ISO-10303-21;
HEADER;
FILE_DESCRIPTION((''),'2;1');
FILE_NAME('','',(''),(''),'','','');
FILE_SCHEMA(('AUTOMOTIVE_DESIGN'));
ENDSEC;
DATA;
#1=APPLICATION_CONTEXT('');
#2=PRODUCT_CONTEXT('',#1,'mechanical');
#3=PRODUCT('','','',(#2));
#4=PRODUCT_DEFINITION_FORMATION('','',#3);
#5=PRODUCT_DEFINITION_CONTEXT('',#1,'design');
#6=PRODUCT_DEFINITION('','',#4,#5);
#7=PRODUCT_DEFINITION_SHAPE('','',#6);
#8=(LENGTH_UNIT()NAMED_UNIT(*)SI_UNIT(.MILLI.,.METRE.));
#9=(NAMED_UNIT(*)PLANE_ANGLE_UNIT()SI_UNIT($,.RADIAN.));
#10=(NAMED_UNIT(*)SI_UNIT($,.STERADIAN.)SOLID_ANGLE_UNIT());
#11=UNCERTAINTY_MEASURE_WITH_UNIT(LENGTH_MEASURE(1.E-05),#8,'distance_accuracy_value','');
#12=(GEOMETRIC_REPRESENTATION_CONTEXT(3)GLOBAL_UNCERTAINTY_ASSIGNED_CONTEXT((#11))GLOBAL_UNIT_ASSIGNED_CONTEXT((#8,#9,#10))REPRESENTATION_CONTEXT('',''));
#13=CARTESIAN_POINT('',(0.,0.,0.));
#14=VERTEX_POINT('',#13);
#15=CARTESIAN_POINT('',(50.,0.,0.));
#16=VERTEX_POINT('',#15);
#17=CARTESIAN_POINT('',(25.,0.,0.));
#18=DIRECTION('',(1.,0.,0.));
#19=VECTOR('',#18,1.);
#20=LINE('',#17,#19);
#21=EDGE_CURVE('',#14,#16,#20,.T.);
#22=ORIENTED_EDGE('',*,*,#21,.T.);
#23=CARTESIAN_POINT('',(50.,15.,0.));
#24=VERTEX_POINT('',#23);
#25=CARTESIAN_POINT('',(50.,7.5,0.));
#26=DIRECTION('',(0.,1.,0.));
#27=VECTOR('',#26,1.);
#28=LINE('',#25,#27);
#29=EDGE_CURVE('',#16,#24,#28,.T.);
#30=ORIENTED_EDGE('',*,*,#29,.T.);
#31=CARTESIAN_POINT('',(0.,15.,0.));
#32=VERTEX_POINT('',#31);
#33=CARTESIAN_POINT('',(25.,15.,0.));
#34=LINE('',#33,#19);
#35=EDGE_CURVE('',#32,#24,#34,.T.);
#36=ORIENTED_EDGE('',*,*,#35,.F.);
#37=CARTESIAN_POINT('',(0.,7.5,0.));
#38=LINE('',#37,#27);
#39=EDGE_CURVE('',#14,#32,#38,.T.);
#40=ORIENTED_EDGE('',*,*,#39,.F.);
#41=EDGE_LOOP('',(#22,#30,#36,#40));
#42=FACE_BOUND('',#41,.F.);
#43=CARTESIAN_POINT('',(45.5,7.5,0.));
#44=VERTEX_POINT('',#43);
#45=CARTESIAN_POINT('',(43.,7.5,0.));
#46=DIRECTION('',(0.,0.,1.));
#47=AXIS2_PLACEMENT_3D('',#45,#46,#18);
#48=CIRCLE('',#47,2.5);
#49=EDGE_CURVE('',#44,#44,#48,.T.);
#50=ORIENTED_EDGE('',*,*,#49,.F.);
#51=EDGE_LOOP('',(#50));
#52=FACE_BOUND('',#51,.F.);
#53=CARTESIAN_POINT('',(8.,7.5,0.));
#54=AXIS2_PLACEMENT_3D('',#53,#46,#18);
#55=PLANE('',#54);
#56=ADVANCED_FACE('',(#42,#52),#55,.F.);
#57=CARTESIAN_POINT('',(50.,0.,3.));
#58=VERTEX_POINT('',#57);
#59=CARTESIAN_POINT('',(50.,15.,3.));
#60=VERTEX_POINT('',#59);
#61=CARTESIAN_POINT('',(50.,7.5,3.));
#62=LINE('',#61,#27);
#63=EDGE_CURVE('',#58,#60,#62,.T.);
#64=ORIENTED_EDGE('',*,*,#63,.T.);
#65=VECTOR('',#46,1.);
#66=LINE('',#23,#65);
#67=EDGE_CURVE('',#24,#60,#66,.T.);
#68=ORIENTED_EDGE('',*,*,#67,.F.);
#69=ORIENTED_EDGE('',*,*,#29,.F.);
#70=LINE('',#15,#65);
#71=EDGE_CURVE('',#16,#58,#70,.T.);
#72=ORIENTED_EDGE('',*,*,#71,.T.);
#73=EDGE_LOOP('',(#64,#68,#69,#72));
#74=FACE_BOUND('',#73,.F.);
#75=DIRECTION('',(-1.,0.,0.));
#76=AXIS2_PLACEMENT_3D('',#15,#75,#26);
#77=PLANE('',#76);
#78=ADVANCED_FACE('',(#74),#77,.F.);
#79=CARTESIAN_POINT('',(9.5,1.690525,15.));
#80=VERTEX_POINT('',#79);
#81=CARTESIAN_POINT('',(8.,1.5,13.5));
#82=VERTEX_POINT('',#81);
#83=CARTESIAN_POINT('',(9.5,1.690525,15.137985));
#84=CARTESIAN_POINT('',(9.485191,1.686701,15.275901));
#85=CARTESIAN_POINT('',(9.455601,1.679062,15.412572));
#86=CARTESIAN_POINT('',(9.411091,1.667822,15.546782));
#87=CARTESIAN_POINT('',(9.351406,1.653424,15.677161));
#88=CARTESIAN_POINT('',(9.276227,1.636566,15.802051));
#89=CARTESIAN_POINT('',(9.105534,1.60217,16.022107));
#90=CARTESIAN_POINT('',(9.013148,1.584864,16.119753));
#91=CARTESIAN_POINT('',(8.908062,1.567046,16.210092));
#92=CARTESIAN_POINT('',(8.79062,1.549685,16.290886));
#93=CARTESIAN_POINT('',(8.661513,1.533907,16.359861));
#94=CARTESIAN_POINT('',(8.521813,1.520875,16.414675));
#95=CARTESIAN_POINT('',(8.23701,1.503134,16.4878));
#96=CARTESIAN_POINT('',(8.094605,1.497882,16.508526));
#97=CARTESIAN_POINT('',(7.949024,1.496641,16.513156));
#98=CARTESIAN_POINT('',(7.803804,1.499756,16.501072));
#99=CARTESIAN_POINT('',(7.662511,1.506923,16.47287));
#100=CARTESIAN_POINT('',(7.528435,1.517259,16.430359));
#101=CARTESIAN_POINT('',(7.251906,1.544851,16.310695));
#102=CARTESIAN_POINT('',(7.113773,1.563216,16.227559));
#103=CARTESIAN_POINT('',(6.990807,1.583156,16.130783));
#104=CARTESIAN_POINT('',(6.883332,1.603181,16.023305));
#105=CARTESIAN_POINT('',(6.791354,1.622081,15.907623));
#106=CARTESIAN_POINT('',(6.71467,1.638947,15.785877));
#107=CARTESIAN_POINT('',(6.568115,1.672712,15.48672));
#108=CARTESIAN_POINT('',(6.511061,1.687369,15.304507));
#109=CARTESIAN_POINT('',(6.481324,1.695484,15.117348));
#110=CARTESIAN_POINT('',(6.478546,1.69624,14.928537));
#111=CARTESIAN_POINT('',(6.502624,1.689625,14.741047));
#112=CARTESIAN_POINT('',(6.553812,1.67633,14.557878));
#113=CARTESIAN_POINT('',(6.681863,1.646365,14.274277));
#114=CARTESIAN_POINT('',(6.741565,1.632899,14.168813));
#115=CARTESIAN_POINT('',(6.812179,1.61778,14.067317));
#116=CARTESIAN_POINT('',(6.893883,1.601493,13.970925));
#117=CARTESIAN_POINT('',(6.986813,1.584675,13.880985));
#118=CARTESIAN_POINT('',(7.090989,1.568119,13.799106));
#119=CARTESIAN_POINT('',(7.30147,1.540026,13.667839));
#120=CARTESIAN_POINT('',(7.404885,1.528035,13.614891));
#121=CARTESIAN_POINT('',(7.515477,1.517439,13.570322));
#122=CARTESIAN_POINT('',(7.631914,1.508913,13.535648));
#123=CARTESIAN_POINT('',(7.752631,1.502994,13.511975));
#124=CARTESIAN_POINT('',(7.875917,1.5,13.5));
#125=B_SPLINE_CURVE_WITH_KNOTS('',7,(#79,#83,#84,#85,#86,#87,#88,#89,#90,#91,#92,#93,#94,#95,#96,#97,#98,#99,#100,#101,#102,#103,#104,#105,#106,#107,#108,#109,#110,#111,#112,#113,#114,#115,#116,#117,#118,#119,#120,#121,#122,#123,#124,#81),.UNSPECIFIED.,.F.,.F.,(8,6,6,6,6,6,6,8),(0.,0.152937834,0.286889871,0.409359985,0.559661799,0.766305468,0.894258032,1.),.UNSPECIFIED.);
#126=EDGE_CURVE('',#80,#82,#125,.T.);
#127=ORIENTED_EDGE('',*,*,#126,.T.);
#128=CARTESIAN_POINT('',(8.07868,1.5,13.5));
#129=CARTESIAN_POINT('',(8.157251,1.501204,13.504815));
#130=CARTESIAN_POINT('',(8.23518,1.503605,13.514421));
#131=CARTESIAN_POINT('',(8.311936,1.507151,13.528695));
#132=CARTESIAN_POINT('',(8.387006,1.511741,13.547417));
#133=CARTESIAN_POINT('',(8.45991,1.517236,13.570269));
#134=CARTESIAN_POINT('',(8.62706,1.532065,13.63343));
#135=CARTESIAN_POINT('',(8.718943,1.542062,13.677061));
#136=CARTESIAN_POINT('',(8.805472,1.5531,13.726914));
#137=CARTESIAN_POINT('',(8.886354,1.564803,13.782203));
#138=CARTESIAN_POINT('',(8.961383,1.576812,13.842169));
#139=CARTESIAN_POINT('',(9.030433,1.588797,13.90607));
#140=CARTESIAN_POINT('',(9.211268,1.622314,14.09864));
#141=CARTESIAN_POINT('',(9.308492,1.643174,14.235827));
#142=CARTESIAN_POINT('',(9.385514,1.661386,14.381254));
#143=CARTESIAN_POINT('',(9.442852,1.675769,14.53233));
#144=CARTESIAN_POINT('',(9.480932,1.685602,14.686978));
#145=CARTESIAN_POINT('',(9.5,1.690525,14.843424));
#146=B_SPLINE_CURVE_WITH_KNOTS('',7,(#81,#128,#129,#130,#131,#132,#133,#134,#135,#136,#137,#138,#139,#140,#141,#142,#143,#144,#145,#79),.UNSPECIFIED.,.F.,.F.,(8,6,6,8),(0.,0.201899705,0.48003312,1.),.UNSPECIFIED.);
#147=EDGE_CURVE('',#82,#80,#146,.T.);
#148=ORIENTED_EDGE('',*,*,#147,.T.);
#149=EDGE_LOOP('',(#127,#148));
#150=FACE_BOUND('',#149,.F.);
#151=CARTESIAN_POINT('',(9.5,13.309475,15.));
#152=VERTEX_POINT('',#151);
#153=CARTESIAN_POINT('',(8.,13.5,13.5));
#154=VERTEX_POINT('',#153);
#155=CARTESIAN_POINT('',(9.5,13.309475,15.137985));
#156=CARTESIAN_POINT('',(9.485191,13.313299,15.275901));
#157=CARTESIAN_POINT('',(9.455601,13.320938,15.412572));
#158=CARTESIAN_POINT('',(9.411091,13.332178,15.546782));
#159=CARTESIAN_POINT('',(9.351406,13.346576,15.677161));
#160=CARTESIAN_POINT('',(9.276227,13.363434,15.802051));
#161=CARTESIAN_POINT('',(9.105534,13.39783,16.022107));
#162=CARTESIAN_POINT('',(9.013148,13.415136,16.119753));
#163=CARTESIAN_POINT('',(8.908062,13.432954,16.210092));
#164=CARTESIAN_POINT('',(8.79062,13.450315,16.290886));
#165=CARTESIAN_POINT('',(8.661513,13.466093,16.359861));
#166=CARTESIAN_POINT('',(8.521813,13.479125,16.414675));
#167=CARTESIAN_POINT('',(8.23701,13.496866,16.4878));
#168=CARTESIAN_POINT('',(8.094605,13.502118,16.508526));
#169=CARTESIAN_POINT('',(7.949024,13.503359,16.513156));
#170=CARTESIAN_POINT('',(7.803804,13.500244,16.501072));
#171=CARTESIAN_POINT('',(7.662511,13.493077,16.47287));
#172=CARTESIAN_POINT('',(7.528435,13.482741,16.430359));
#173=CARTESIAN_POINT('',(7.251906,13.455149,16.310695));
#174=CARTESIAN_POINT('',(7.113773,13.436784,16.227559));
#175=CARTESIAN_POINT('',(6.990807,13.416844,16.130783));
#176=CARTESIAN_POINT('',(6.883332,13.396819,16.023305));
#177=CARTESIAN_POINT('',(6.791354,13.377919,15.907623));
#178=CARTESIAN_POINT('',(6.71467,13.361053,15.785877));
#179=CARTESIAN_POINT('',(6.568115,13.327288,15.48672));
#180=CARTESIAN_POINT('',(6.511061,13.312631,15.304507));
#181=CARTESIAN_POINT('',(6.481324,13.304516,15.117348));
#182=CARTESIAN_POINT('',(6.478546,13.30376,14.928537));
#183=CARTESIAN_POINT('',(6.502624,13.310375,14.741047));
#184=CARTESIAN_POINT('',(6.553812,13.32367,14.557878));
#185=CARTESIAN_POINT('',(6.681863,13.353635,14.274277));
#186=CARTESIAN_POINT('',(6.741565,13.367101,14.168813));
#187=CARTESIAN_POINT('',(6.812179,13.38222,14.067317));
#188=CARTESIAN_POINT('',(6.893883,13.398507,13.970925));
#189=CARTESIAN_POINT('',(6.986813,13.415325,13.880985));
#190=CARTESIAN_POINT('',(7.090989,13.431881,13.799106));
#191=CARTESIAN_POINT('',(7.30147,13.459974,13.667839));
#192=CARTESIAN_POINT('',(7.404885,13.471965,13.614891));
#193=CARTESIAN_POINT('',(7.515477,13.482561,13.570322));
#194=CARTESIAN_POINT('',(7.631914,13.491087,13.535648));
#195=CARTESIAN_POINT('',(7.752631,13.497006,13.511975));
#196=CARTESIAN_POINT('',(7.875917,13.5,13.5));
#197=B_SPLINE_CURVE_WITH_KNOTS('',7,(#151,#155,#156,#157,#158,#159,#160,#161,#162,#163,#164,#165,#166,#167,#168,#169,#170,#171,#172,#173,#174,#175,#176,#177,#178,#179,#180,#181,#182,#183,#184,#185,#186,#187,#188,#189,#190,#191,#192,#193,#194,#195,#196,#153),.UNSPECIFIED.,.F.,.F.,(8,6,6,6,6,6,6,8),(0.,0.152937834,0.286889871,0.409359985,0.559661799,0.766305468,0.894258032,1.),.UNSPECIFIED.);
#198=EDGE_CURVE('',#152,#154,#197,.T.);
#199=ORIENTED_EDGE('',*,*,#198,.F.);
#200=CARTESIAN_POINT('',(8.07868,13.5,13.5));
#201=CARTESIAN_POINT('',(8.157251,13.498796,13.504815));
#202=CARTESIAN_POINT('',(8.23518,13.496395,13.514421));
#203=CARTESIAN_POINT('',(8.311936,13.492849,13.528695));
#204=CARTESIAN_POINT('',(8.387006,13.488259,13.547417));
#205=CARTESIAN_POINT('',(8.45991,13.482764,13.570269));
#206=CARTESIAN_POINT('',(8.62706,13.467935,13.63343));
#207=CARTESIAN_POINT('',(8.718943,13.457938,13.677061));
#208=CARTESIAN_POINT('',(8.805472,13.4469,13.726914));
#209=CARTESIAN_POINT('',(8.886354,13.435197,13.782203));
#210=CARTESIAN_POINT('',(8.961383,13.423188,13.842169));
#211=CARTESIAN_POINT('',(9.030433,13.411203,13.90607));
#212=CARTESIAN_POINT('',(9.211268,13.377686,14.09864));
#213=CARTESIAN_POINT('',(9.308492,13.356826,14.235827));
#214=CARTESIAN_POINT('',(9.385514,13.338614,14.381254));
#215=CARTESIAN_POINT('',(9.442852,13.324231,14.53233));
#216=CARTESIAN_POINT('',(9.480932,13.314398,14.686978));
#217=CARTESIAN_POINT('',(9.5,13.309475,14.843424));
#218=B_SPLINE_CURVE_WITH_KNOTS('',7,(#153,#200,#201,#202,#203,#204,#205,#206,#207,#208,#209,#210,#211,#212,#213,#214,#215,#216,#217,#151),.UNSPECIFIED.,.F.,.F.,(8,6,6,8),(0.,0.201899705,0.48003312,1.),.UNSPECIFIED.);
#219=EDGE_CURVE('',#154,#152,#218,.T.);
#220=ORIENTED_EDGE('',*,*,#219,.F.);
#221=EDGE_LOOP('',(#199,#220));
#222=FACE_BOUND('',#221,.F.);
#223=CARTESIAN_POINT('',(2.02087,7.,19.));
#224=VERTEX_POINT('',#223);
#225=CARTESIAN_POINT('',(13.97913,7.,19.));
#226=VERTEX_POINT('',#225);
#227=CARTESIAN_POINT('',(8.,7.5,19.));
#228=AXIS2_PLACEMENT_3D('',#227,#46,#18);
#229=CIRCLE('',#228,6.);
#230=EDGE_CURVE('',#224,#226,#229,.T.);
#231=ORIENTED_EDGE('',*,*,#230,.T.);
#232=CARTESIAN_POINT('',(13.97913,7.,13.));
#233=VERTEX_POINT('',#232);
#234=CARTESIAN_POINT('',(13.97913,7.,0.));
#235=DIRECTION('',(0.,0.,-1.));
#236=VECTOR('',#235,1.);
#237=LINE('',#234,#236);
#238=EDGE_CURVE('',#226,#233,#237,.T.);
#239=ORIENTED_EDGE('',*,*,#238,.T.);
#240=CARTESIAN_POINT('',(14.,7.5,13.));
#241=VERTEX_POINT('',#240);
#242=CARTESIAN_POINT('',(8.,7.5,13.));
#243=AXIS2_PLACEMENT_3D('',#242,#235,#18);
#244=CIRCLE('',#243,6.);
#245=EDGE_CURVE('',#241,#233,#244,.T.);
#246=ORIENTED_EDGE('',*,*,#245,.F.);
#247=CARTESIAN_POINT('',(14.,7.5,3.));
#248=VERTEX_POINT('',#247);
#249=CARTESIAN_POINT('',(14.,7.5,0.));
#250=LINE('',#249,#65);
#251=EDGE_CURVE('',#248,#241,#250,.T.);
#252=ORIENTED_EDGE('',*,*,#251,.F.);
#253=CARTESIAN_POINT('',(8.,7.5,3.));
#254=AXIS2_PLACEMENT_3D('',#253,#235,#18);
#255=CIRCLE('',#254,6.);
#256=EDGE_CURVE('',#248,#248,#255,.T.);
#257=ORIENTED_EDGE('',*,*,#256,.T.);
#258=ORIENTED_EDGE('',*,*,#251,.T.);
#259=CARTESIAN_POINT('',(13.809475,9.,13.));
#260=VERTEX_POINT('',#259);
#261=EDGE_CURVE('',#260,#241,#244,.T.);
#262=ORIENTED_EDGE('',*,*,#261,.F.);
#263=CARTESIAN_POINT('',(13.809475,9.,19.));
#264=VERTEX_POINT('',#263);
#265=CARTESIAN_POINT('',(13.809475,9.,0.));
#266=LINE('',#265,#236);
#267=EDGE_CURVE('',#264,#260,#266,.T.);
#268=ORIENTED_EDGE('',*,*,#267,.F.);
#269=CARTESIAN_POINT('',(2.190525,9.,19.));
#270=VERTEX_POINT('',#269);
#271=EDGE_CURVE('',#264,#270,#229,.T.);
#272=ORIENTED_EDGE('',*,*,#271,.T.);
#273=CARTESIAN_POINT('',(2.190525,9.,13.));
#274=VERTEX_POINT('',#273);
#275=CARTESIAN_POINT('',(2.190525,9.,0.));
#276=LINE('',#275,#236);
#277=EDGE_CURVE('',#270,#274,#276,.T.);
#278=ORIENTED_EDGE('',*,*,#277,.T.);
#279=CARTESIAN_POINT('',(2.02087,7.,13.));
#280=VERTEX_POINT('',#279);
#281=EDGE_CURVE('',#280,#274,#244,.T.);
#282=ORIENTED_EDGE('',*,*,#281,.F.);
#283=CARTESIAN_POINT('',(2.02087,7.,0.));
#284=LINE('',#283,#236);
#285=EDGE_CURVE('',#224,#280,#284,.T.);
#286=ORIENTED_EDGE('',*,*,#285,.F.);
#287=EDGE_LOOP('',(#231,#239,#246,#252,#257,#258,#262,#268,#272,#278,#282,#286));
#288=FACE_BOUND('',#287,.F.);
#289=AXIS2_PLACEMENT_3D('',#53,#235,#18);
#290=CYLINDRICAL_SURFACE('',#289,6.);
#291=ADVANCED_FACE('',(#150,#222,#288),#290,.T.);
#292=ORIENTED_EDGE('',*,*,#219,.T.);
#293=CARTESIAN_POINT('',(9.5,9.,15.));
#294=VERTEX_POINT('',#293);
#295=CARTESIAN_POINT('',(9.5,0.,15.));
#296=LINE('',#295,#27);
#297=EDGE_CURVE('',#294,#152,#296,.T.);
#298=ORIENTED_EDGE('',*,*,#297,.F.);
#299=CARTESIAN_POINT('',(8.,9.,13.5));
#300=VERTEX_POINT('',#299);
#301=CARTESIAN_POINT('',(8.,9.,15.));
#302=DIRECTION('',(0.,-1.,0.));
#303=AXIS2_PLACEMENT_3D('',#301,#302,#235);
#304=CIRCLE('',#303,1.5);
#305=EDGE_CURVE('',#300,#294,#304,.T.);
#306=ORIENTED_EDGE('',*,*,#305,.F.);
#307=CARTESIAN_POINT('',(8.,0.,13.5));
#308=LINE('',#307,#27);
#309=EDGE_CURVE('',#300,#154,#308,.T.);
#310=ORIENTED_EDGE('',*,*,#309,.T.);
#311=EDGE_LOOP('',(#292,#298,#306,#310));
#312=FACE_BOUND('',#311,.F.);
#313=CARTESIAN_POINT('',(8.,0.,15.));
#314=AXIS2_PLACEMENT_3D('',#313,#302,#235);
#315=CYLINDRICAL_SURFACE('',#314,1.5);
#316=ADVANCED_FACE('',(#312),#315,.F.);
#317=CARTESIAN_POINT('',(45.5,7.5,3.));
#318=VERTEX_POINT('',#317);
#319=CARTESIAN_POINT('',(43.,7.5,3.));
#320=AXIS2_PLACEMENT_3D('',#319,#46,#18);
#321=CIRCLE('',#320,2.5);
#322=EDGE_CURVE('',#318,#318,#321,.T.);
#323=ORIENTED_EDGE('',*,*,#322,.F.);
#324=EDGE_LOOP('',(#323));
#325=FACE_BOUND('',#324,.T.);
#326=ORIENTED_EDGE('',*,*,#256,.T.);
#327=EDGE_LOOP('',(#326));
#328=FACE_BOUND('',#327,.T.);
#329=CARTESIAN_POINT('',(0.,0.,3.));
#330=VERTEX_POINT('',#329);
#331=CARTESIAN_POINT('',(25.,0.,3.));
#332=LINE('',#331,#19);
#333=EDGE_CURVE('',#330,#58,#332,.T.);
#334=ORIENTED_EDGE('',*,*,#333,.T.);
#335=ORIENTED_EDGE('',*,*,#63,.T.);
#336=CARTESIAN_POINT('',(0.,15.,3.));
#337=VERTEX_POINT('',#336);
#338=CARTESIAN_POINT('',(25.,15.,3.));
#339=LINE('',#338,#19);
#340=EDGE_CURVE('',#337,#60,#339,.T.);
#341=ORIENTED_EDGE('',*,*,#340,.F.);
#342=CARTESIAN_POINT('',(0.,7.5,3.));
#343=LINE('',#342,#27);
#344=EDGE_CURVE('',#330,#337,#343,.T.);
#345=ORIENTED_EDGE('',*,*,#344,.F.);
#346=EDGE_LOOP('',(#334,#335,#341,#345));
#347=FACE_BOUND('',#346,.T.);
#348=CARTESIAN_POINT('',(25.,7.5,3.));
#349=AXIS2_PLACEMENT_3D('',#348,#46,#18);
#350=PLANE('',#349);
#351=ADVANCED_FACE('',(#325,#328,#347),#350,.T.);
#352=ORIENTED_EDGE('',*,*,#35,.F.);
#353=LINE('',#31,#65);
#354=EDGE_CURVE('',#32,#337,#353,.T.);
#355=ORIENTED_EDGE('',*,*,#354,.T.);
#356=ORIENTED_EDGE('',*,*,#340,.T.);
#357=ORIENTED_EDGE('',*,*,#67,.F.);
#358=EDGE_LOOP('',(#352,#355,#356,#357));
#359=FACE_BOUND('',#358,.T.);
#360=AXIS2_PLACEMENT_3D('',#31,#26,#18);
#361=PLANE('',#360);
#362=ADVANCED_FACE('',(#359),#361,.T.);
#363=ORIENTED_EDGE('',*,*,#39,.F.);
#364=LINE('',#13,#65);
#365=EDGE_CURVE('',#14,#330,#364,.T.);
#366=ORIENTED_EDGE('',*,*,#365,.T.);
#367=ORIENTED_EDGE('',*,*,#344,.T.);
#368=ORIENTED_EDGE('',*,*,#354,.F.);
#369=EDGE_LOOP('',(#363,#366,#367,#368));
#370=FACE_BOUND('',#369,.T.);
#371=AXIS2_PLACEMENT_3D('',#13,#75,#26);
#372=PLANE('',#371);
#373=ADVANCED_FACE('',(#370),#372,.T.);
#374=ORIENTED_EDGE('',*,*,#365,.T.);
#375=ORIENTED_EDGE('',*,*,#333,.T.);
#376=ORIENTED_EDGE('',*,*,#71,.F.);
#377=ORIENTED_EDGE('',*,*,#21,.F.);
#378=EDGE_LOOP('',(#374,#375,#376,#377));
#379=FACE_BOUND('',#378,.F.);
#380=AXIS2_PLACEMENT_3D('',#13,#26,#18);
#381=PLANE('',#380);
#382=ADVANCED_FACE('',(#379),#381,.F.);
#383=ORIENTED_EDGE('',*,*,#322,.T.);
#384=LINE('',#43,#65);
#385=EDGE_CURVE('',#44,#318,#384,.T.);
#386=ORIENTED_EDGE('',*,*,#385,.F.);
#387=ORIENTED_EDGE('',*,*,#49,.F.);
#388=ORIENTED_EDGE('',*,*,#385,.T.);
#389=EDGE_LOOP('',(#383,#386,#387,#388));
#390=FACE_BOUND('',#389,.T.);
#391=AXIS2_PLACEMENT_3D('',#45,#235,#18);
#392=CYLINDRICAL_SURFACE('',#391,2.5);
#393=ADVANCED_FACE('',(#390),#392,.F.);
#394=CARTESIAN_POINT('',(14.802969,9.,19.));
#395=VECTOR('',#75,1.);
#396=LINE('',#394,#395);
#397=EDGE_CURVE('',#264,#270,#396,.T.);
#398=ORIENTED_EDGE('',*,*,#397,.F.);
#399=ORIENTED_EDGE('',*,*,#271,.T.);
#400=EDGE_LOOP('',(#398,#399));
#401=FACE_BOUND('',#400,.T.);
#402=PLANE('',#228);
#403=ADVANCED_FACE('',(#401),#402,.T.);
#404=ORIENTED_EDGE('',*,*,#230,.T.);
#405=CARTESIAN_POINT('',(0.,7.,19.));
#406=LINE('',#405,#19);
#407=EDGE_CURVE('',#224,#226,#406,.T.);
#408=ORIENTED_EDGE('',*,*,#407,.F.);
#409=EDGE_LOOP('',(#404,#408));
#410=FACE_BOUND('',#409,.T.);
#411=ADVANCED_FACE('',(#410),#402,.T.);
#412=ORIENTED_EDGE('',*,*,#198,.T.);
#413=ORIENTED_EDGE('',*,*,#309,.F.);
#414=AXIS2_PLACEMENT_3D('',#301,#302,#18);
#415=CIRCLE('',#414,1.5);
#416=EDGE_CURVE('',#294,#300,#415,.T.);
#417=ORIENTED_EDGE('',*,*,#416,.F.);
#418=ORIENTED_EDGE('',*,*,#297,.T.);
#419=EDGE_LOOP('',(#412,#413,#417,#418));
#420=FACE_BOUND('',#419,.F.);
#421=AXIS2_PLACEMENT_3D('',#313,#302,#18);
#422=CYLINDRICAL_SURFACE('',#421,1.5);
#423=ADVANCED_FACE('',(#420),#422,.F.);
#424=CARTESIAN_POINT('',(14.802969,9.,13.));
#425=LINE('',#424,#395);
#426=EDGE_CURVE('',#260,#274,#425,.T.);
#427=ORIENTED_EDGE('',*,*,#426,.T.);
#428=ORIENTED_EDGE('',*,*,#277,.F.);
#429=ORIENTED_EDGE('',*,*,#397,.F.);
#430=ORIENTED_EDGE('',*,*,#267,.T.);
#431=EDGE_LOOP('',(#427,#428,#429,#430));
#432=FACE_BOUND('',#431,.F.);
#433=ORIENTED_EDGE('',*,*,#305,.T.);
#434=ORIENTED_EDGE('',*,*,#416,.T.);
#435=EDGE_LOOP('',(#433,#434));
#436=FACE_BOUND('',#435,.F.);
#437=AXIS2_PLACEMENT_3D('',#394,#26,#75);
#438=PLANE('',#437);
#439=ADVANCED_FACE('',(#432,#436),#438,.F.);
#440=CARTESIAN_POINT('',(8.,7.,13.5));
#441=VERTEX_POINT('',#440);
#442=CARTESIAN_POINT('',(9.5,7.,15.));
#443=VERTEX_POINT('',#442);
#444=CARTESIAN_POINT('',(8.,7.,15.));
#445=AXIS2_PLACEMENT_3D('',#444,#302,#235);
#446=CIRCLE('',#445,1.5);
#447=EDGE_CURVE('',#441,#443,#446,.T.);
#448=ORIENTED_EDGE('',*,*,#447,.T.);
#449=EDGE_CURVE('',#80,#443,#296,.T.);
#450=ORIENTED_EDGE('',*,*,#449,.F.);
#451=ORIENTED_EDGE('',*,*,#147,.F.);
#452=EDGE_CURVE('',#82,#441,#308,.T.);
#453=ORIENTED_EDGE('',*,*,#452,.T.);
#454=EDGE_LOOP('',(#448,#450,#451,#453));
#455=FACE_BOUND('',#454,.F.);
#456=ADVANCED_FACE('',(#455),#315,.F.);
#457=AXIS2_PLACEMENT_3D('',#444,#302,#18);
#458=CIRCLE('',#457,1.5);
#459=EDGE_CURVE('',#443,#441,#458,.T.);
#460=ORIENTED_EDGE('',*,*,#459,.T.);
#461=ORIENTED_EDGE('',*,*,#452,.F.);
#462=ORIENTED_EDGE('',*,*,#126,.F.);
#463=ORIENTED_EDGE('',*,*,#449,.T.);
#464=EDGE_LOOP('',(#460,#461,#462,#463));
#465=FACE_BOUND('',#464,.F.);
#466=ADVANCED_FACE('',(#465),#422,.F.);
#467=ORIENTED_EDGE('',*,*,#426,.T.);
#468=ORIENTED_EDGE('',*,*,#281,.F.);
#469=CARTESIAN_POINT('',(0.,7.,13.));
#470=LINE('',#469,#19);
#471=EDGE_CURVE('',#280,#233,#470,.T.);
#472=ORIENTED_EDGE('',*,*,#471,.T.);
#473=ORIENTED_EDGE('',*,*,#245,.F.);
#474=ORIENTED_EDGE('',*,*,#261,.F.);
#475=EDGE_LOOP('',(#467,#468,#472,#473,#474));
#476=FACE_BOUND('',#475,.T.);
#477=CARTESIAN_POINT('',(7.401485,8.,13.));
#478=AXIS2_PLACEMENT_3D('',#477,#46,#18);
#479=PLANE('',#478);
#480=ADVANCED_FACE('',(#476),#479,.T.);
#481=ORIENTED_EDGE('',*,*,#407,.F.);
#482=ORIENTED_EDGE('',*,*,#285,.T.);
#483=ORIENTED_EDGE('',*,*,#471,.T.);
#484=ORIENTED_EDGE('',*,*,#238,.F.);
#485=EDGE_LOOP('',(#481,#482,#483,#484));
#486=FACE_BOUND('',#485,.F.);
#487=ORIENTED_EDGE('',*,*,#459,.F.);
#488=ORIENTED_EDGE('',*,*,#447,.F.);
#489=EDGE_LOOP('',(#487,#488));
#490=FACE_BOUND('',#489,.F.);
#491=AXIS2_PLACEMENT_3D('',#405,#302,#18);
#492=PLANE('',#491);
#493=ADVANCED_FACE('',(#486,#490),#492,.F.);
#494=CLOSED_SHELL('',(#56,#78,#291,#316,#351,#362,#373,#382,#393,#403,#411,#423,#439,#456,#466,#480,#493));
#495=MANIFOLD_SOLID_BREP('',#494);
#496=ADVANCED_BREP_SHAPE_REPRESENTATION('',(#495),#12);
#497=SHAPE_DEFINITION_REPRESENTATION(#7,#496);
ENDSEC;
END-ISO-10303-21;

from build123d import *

# Parameters (mm, degrees)
F0_W     = 50
F0_H     = 15
F0_R     = 6
F0_R_2   = 2.5
F1_DEPTH = 3
F2_R     = 6
F3_DEPTH = 19
F6_DEPTH = 6
F9_DEPTH = 25


with BuildPart() as f1:
    # F0 (on Top) → F1 (new body)
    with BuildSketch(Plane.XY):
        with Locations((25, 7.5)):
            Rectangle(F0_W, F0_H)
        with Locations((8, 7.5)):
            Circle(F0_R, mode=Mode.SUBTRACT)
        with Locations((43, 7.5)):
            Circle(F0_R_2, mode=Mode.SUBTRACT)
        with Locations((8, 7.5)):
            Circle(F0_R)
    extrude(amount=F1_DEPTH)

    # F2 (on Top) → F3 (join)
    with BuildSketch(Plane.XY):
        with Locations((8, 7.5)):
            Circle(F2_R)
    extrude(amount=F3_DEPTH)

    # F5 (on offset) → F6 (cut)
    with BuildSketch(Plane.XY.offset(19)):
        Polygon((0, 8), (0, 7), (14.8029690608, 7), (14.8029690608, 8.9999996126), (0, 8.9999996126), align=None)
    extrude(amount=-F6_DEPTH, mode=Mode.SUBTRACT)

    # F8 (on offset) → F9 (cut)
    with BuildSketch(Plane.XZ):
        with BuildLine():
            ThreePointArc((8, 13.5), (9.0606601718, 13.9393398282), (9.5, 15))
            ThreePointArc((9.5, 15), (6.9393398282, 16.0606601718), (8, 13.5))
        make_face()
    extrude(amount=-F9_DEPTH, mode=Mode.SUBTRACT)


solid = f1.part
